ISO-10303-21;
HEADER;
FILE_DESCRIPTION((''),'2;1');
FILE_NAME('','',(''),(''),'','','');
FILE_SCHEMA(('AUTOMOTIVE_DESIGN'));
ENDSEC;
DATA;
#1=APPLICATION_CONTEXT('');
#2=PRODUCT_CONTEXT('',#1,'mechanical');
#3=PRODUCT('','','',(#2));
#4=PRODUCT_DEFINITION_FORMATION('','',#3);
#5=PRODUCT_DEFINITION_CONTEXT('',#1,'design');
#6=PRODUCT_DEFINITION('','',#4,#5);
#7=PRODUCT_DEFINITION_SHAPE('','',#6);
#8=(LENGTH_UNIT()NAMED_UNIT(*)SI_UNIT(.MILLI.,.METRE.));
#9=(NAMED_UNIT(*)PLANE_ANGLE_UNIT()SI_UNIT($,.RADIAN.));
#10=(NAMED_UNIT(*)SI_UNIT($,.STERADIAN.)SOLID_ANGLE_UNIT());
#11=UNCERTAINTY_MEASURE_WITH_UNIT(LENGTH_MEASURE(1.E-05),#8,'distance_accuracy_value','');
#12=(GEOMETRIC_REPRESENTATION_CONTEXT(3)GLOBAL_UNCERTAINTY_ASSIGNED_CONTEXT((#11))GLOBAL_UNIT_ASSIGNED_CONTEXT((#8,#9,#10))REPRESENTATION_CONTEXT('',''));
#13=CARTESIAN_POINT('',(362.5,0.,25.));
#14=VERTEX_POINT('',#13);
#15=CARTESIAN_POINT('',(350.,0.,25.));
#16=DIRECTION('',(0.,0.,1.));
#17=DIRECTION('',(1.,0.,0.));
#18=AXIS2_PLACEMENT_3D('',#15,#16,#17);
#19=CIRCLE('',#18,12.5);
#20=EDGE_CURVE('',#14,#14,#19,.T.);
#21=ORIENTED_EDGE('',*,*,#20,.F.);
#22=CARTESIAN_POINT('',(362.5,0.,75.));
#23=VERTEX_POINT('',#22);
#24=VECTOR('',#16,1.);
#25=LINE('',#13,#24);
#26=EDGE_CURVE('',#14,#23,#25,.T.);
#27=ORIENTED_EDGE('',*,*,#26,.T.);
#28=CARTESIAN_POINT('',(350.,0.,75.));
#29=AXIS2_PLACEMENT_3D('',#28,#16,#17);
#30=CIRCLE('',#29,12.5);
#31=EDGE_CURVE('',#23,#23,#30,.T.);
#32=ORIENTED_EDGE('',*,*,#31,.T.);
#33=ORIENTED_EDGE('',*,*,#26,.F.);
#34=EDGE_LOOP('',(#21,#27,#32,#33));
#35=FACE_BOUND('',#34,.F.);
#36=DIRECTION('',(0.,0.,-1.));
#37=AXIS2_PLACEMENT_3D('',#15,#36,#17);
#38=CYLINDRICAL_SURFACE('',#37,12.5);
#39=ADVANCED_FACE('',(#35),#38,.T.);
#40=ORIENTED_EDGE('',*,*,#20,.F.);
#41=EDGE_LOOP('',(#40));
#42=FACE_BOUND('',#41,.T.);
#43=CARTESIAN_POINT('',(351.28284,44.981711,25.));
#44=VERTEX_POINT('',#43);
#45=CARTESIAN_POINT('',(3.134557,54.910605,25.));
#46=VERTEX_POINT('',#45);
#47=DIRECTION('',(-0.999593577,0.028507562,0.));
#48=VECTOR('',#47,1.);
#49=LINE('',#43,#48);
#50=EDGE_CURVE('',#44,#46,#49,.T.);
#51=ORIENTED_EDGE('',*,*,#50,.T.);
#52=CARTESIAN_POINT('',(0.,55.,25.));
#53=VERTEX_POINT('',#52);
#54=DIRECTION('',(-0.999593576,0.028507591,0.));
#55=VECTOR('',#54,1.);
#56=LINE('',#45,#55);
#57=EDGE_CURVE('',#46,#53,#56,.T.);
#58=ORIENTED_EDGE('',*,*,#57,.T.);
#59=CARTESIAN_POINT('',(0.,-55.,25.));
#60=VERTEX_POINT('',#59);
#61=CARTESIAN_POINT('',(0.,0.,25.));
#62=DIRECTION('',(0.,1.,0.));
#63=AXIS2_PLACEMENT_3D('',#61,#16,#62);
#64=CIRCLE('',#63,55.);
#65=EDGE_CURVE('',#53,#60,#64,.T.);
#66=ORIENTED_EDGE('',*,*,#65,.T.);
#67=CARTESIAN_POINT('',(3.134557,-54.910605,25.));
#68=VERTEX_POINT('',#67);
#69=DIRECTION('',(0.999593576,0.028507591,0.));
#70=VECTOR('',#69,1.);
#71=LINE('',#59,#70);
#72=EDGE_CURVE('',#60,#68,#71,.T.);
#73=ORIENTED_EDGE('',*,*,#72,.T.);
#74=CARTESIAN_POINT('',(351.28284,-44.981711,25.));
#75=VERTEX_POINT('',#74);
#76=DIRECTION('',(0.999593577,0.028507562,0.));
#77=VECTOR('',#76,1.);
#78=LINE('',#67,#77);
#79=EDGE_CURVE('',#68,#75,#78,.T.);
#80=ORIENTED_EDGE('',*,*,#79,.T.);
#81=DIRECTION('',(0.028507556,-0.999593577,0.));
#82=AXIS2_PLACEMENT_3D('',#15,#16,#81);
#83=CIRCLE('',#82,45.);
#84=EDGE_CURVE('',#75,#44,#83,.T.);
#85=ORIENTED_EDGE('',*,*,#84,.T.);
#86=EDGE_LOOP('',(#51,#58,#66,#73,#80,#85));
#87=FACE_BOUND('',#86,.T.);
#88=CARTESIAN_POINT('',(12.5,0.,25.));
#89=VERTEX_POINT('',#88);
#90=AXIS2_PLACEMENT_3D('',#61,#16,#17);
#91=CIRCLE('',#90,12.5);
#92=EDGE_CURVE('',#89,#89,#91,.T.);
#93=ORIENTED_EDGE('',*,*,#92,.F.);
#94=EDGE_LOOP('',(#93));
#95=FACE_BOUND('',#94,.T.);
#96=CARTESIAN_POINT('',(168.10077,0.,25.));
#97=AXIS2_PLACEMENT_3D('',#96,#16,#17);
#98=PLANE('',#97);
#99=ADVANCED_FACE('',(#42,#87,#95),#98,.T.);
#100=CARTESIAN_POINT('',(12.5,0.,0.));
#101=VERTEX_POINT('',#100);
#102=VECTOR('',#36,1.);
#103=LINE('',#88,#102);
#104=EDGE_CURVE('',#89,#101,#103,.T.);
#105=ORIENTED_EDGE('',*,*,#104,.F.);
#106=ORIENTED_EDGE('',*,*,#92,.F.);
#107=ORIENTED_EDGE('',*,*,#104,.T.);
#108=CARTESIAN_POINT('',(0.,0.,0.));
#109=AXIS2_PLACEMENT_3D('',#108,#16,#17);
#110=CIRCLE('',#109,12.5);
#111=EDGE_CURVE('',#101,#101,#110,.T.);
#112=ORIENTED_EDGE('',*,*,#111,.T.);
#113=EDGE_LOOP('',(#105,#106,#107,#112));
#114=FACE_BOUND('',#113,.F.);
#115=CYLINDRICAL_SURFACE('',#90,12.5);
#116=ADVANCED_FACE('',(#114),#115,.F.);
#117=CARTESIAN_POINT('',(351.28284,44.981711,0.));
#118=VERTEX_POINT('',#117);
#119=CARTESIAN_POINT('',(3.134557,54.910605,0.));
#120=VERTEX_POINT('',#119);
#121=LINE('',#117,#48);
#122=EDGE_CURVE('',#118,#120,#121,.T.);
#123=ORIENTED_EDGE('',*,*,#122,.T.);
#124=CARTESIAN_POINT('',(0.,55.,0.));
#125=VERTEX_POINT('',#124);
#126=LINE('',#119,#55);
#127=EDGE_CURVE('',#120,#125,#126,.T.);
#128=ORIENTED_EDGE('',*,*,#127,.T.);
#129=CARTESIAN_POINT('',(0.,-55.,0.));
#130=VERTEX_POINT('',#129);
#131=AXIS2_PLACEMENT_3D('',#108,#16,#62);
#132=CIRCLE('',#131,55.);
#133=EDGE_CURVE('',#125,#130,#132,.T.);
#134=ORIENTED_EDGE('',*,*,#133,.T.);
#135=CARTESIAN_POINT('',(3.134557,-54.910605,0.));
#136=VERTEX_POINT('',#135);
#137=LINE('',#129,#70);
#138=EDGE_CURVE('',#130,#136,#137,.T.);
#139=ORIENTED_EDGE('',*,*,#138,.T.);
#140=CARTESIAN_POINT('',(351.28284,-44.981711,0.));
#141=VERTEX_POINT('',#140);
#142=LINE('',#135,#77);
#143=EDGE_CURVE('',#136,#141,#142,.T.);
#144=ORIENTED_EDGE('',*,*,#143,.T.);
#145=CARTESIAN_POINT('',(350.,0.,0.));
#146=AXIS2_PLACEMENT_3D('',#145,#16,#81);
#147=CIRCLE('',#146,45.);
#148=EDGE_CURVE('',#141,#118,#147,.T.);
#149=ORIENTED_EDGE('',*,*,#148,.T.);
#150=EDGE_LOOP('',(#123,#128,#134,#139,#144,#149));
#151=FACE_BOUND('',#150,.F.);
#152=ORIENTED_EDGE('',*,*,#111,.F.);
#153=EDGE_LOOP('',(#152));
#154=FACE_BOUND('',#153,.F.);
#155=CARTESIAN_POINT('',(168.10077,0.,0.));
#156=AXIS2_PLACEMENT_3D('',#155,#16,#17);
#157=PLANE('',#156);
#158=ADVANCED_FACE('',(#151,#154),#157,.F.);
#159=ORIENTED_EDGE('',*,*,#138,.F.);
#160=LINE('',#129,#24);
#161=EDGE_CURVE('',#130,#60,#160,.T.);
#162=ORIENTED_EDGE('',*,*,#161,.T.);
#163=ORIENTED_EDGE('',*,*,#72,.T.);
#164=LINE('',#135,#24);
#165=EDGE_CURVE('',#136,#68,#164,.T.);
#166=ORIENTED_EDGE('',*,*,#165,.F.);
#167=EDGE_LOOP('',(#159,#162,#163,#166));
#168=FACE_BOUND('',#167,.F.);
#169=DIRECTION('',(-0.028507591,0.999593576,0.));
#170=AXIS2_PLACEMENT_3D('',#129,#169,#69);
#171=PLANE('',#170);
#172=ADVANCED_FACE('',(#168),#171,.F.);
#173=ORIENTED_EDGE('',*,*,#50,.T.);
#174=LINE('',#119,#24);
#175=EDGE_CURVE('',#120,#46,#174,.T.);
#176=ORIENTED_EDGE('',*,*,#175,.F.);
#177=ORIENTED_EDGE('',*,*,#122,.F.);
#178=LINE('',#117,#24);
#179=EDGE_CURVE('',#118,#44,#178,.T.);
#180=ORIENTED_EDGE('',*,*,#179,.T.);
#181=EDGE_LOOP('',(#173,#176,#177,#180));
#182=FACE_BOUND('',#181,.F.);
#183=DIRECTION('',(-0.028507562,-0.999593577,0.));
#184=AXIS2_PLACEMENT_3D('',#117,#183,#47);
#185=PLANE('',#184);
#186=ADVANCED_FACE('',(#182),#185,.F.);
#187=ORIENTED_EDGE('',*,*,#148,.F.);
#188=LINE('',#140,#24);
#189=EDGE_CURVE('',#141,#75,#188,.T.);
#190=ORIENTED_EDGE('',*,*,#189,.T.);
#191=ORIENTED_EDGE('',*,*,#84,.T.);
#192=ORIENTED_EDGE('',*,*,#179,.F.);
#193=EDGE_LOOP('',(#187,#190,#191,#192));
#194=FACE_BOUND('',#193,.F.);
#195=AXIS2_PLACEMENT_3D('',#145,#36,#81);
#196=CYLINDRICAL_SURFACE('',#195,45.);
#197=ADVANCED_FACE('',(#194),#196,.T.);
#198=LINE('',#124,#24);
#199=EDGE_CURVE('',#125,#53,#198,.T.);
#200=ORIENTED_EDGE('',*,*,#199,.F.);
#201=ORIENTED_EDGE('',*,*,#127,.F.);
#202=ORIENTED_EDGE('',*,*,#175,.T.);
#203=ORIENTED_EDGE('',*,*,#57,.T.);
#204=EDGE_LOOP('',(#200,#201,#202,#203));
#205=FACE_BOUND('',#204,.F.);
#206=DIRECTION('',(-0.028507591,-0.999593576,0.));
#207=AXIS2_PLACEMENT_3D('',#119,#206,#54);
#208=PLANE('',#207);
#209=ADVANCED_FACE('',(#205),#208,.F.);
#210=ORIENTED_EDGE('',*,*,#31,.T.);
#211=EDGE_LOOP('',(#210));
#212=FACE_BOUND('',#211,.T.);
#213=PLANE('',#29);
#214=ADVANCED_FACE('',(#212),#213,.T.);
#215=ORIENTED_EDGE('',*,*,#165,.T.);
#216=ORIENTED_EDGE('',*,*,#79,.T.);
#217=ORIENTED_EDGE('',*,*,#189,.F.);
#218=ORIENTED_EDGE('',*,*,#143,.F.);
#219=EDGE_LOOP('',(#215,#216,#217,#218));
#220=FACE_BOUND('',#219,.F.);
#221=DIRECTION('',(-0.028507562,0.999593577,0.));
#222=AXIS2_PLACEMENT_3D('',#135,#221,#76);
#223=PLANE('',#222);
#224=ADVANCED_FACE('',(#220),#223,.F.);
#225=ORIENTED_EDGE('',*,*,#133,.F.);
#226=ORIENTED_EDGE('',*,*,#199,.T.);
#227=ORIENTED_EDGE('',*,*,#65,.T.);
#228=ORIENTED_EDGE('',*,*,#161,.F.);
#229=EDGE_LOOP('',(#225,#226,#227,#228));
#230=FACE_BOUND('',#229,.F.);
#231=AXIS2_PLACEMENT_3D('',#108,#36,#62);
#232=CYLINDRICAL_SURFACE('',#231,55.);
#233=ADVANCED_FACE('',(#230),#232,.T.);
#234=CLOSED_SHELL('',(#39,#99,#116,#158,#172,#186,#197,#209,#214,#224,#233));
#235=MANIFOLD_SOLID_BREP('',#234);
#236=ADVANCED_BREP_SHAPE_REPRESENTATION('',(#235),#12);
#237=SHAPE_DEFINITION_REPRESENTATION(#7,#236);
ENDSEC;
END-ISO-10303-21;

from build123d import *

# Parameters (mm, degrees)
F1_DEPTH = 25
F2_R     = 12.5
F3_DEPTH = 25.001
F4_R     = 12.5
F5_DEPTH = 50


with BuildPart() as f1:
    # F0 (on Top) → F1 (new body)
    with BuildSketch(Plane.XY):
        with BuildLine():
            Line((351.28284, 44.981711), (3.134557, 54.910605))
            Line((3.134557, 54.910605), (0, 55))
            ThreePointArc((0, 55), (-55, 0), (0, -55))
            Line((0, -55), (3.134557, -54.910605))
            Line((3.134557, -54.910605), (351.28284, -44.981711))
            ThreePointArc((351.28284, -44.981711), (395, 0), (351.28284, 44.981711))
        make_face()
    extrude(amount=F1_DEPTH)

    # F2 (on face) → F3 (cut, through all)
    with BuildSketch(Plane.XY.offset(25)):
        Circle(F2_R)
    extrude(amount=-F3_DEPTH, mode=Mode.SUBTRACT)

    # F4 (on face) → F5 (join)
    with BuildSketch(Plane.XY.offset(25)):
        with Locations((350, 0)):
            Circle(F4_R)
    extrude(amount=F5_DEPTH)


solid = f1.part
